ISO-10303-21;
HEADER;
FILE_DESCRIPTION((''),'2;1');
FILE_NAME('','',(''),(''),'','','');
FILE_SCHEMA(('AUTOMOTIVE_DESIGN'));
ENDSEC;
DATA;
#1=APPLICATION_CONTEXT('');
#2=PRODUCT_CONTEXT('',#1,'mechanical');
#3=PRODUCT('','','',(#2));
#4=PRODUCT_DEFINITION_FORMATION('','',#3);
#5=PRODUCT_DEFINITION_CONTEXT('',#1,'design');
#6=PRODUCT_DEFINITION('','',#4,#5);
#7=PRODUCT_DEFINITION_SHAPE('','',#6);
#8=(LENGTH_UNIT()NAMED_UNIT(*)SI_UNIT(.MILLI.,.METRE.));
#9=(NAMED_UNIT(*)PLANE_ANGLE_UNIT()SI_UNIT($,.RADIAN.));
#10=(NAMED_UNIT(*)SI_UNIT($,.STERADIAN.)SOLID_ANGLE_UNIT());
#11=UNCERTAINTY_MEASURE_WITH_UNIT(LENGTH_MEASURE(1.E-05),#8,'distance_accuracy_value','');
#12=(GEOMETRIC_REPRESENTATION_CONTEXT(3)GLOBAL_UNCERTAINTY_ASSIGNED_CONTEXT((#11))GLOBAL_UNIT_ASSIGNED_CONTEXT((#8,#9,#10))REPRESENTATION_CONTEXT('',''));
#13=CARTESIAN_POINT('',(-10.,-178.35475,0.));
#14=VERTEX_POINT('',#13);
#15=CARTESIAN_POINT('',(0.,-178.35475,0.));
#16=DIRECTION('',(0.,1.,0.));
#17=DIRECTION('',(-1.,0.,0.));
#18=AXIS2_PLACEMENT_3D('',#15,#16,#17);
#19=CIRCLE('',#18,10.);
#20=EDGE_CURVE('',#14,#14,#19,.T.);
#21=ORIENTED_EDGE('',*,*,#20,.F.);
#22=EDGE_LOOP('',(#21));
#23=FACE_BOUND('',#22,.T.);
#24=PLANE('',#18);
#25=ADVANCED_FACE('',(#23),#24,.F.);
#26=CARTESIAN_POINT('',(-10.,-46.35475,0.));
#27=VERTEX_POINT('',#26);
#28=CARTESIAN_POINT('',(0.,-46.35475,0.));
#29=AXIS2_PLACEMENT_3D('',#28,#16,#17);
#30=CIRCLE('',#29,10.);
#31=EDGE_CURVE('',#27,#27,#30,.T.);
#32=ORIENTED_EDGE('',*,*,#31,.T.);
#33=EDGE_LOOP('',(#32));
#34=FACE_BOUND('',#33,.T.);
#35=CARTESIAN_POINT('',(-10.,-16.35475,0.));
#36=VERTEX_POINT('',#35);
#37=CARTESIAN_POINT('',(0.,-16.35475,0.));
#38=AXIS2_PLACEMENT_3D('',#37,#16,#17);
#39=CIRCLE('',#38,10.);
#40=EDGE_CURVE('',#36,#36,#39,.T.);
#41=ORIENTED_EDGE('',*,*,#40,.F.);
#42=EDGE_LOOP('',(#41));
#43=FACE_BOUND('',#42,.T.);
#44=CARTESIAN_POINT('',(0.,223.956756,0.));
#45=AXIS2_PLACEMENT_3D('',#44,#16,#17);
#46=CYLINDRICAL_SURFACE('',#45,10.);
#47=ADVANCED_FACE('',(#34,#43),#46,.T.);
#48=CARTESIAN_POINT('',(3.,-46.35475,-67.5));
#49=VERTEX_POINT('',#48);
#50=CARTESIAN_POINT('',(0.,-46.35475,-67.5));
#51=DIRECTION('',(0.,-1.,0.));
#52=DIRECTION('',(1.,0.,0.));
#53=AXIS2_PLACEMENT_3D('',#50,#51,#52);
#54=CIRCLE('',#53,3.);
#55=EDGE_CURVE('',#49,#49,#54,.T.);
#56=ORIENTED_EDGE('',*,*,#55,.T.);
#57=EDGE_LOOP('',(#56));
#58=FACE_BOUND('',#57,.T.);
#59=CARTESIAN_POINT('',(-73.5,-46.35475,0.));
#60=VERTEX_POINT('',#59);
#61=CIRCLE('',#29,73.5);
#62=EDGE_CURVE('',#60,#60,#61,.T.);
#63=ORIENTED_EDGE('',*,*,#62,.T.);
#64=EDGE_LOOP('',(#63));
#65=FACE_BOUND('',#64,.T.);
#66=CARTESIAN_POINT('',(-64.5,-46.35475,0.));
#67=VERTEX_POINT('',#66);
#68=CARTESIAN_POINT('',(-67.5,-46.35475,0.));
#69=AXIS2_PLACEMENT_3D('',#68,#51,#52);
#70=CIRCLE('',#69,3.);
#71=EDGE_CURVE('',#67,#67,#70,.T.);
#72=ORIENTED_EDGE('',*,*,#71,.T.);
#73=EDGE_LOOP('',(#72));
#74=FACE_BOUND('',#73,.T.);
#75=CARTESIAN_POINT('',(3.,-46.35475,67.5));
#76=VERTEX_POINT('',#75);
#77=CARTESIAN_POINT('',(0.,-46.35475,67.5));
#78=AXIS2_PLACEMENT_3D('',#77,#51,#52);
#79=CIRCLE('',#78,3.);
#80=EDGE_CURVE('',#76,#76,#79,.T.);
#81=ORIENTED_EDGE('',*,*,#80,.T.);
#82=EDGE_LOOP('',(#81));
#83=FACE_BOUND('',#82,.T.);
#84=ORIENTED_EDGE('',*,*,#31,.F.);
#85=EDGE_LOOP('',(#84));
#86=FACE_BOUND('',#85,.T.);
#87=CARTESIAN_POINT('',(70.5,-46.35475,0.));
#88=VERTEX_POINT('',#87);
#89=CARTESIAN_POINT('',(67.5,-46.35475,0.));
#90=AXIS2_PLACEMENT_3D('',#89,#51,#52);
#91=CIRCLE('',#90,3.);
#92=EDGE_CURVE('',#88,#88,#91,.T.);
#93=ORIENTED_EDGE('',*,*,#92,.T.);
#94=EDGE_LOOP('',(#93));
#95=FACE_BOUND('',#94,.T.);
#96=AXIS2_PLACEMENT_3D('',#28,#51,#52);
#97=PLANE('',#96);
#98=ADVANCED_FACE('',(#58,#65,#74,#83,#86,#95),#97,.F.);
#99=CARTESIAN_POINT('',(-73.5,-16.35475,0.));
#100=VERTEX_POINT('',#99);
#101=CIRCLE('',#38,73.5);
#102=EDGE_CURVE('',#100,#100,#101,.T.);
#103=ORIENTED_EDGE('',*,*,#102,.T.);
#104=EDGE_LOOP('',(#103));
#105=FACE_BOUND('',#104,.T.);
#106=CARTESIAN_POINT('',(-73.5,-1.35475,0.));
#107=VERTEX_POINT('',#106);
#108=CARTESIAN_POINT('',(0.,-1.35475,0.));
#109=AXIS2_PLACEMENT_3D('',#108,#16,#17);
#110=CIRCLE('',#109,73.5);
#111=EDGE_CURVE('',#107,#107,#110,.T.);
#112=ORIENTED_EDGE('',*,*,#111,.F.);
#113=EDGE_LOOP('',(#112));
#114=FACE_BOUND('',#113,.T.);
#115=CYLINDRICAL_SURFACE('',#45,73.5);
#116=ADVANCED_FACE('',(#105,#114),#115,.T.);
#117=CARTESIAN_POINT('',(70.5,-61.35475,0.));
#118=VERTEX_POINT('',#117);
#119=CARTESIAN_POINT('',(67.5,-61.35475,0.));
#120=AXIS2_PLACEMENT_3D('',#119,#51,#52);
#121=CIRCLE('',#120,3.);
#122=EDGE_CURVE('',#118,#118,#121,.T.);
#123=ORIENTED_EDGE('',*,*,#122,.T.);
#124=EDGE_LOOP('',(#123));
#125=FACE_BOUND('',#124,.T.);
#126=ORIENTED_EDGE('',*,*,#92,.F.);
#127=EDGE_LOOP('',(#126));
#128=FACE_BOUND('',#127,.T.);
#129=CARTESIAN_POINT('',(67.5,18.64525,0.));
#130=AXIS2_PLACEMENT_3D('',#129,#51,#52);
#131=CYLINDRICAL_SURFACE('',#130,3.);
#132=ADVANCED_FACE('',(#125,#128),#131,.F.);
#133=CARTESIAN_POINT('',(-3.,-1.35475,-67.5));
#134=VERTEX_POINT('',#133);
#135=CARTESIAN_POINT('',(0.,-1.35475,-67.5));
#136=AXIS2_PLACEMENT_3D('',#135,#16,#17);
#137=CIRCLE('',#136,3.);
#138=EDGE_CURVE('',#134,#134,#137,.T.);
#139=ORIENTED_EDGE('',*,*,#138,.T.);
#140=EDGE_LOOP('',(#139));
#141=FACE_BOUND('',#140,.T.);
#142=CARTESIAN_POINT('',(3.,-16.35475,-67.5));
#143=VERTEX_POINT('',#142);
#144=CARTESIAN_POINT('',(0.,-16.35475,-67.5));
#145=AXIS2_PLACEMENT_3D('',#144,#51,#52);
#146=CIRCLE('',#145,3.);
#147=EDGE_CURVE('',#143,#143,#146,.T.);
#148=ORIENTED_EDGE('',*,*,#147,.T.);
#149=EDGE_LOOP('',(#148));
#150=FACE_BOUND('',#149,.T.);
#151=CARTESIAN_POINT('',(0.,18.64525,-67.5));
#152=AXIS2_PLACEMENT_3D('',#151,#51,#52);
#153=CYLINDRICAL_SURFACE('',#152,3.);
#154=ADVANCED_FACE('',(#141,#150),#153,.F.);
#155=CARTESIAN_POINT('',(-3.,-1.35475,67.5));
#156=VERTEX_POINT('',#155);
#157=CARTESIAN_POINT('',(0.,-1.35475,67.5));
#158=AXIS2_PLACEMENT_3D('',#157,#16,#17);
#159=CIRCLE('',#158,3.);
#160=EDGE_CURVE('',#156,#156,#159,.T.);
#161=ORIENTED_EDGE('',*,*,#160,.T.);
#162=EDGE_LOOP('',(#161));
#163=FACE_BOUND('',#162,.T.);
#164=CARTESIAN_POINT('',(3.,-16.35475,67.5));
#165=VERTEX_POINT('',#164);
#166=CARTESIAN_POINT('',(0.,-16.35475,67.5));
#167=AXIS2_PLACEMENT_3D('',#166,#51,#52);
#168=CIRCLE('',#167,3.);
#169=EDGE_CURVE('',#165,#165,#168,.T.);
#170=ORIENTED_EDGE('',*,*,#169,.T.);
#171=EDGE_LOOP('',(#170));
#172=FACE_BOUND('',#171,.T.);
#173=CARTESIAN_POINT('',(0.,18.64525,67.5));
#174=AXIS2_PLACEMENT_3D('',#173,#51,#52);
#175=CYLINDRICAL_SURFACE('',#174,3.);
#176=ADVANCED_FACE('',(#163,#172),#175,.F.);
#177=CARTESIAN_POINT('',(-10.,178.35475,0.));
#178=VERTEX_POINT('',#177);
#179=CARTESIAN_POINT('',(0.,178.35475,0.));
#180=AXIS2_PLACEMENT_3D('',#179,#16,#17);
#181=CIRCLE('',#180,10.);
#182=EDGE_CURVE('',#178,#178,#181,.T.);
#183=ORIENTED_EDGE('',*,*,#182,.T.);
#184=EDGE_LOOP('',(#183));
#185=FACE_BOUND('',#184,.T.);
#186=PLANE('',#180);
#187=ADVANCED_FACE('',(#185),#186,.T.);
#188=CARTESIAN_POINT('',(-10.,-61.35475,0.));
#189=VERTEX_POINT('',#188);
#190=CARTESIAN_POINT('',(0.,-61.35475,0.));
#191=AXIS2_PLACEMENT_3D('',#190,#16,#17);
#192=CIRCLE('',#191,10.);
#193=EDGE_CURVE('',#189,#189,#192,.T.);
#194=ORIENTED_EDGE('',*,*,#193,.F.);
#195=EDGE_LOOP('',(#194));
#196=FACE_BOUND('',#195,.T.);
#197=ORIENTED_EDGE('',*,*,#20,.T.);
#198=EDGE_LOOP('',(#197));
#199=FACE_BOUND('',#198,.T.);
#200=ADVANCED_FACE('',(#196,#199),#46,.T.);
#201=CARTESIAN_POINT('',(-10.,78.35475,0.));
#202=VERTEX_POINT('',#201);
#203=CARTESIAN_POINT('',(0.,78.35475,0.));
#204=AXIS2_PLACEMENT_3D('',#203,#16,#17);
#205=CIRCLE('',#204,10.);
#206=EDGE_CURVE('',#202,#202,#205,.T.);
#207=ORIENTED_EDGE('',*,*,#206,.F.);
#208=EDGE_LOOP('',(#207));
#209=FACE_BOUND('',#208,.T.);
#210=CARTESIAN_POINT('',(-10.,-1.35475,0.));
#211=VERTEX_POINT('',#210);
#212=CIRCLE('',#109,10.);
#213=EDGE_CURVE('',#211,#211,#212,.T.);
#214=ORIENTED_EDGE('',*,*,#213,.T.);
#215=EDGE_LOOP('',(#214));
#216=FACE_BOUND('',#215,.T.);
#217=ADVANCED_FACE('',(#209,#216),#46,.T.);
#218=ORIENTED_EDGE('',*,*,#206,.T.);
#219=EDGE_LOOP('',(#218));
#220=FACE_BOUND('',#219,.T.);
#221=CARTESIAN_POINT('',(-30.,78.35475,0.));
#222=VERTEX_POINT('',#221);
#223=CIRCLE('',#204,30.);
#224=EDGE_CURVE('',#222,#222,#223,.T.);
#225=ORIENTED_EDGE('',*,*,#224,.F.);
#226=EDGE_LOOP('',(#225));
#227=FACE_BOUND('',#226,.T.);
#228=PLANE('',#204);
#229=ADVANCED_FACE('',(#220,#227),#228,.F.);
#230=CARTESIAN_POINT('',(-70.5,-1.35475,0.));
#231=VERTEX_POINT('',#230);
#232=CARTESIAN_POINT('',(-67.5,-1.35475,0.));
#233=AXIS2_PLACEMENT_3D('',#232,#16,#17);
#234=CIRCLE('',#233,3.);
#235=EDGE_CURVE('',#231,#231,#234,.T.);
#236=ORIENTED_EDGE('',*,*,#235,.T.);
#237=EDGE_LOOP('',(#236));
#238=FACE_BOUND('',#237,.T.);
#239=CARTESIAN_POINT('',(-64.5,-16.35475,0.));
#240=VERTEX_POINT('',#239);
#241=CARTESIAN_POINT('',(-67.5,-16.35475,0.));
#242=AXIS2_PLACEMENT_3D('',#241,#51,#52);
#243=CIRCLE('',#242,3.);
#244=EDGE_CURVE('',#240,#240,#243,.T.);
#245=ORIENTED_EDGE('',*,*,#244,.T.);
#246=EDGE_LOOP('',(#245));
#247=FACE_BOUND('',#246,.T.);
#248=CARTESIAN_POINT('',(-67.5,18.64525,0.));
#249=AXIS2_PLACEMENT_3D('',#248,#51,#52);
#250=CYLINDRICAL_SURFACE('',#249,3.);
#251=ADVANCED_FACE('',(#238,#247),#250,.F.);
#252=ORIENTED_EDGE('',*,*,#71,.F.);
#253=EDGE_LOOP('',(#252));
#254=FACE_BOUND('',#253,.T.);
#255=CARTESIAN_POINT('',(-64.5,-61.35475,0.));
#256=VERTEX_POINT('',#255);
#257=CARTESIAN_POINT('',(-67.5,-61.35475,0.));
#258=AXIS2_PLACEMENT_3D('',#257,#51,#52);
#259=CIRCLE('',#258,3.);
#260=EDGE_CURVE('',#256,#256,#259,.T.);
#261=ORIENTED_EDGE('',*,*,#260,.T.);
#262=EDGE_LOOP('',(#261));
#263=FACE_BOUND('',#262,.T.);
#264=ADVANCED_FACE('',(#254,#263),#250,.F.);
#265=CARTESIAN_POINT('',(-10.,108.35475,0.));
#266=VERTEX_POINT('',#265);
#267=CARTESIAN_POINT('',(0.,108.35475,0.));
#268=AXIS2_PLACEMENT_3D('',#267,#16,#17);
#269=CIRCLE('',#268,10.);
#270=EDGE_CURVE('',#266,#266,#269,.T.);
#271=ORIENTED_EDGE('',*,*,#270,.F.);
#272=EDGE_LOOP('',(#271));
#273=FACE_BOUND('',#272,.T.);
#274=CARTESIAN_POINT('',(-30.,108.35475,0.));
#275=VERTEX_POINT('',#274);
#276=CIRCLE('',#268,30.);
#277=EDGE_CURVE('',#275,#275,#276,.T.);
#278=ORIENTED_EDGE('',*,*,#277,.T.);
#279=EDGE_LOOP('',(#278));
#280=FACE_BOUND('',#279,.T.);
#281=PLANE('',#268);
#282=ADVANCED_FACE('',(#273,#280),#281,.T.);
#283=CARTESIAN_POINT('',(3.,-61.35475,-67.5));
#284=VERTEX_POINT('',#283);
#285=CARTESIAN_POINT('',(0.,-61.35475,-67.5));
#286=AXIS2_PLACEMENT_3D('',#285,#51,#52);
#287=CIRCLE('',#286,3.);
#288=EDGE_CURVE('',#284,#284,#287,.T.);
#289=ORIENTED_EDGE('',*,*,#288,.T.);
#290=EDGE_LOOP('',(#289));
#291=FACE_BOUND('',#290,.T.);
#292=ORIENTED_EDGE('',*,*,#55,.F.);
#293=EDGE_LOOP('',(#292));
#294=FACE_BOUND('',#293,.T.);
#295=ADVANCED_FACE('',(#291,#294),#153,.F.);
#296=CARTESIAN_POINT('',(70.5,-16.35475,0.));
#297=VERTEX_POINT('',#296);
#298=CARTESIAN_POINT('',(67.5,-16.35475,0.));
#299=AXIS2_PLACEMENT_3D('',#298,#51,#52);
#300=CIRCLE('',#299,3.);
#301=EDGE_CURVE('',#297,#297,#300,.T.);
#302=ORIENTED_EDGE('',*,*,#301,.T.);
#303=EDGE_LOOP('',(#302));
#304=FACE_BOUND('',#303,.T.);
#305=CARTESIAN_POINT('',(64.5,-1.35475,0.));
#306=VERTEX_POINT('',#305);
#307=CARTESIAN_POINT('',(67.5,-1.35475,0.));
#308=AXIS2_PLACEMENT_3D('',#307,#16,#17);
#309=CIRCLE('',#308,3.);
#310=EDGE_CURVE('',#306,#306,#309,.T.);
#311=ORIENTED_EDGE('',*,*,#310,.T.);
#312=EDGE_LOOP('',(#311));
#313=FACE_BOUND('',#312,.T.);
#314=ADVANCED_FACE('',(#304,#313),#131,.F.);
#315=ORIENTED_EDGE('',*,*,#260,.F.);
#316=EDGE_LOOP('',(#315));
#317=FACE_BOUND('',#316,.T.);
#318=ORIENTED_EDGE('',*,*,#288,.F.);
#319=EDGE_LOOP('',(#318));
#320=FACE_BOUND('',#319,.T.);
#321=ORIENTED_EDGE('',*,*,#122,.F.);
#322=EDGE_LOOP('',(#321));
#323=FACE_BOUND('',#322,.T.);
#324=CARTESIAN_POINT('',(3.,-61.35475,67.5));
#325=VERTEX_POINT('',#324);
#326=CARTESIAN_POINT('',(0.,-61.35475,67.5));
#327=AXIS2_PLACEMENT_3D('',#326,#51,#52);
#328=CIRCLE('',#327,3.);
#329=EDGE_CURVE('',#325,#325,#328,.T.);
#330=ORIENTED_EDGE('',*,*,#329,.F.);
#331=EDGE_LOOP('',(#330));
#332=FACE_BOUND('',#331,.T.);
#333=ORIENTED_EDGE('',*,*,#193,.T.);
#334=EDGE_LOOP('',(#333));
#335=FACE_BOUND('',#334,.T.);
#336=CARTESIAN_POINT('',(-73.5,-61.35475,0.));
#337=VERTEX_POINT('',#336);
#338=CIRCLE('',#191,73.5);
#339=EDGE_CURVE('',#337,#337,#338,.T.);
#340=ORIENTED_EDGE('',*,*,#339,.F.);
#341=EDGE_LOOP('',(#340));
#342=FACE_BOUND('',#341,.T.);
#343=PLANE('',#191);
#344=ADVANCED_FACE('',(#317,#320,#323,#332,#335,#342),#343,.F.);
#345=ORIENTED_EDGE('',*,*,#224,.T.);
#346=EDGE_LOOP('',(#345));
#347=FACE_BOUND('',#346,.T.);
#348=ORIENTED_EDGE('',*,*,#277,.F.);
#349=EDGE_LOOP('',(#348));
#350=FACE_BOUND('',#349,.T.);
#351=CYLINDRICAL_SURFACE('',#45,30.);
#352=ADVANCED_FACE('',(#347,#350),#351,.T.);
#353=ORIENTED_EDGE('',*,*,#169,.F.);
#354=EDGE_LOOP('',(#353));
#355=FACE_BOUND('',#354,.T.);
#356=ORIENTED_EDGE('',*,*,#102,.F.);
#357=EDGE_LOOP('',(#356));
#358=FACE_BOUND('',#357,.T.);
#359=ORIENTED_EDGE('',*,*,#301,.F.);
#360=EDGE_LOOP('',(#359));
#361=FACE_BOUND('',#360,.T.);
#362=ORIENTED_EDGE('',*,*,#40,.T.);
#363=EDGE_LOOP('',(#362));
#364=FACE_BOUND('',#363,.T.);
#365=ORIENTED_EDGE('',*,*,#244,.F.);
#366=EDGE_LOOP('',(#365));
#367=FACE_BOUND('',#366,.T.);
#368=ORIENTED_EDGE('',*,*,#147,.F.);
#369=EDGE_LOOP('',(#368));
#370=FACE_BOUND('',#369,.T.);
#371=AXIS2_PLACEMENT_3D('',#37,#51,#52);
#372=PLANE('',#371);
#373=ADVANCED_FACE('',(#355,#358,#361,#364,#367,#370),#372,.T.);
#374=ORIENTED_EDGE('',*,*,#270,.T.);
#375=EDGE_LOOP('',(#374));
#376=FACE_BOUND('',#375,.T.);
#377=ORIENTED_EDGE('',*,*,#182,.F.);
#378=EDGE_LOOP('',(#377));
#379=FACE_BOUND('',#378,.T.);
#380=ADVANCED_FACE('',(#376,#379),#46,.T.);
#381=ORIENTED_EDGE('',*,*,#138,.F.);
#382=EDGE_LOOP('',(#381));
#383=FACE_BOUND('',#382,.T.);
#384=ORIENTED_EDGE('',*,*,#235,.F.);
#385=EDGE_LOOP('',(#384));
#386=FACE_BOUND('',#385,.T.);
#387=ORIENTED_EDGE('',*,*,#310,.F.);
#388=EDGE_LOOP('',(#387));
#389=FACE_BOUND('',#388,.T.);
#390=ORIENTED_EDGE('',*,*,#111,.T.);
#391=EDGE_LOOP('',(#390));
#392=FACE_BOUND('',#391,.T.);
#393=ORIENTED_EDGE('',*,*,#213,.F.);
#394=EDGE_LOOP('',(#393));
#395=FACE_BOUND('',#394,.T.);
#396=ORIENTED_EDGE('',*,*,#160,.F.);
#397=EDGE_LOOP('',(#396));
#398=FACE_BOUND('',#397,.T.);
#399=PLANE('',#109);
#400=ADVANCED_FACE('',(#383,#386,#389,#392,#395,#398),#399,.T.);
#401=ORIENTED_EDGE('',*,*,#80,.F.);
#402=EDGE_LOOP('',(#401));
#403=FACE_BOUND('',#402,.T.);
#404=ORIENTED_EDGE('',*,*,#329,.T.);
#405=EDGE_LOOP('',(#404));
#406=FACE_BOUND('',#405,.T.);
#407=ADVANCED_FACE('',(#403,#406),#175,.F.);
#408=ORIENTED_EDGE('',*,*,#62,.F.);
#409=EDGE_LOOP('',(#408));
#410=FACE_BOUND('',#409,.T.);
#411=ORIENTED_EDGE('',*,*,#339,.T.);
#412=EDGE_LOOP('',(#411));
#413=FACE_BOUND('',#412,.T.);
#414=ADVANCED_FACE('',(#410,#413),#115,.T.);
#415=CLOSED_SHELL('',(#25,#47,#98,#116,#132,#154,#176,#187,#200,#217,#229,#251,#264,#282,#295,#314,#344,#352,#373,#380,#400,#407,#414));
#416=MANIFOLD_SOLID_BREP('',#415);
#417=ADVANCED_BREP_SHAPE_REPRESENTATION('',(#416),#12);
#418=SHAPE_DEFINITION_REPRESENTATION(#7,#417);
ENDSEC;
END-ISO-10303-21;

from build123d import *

# Parameters (mm, degrees)
SKETCH1_W          = 10
SKETCH1_H          = 30
SKETCH1_W_2        = 20
SKETCH1_H_2        = 70
SKETCH2_R          = 3
CUT_EXTRUDE1_DEPTH = 80


with BuildPart() as part:
    # Sketch1 → Revolve3 (revolve)
    with BuildSketch(Plane.XY, mode=Mode.PRIVATE) as revolve3_sk:
        Polygon((0, 78.35475), (0, -178.35475), (10, -178.35475), (10, -61.35475), (73.5, -61.35475), (73.5, -46.35475), (10, -46.35475), (10, -16.35475), (73.5, -16.35475), (73.5, -1.35475), (10, -1.35475), (10, 78.35475), align=None)
        with Locations((5, 93.35475)):
            Rectangle(SKETCH1_W, SKETCH1_H)
        with Locations((20, 93.35475)):
            Rectangle(SKETCH1_W_2, SKETCH1_H)
        with Locations((5, 143.35475)):
            Rectangle(SKETCH1_W, SKETCH1_H_2)
    revolve(revolve3_sk.sketch.rotate(Axis((0, 223.956756344, 0), (0, -1, 0)), 180), axis=Axis((0, 223.956756344, 0), (0, -1, 0)))

    # Sketch2 → Cut-Extrude1 (cut)
    with BuildSketch(Plane.XZ.offset(61.35475)):
        with Locations((67.5, 0)):
            Circle(SKETCH2_R)
        with Locations((-67.5, 0)):
            Circle(SKETCH2_R)
        with Locations((0, 67.5)):
            Circle(SKETCH2_R)
        with Locations((0, -67.5)):
            Circle(SKETCH2_R)
    extrude(amount=-CUT_EXTRUDE1_DEPTH, mode=Mode.SUBTRACT)


solid = part.part
